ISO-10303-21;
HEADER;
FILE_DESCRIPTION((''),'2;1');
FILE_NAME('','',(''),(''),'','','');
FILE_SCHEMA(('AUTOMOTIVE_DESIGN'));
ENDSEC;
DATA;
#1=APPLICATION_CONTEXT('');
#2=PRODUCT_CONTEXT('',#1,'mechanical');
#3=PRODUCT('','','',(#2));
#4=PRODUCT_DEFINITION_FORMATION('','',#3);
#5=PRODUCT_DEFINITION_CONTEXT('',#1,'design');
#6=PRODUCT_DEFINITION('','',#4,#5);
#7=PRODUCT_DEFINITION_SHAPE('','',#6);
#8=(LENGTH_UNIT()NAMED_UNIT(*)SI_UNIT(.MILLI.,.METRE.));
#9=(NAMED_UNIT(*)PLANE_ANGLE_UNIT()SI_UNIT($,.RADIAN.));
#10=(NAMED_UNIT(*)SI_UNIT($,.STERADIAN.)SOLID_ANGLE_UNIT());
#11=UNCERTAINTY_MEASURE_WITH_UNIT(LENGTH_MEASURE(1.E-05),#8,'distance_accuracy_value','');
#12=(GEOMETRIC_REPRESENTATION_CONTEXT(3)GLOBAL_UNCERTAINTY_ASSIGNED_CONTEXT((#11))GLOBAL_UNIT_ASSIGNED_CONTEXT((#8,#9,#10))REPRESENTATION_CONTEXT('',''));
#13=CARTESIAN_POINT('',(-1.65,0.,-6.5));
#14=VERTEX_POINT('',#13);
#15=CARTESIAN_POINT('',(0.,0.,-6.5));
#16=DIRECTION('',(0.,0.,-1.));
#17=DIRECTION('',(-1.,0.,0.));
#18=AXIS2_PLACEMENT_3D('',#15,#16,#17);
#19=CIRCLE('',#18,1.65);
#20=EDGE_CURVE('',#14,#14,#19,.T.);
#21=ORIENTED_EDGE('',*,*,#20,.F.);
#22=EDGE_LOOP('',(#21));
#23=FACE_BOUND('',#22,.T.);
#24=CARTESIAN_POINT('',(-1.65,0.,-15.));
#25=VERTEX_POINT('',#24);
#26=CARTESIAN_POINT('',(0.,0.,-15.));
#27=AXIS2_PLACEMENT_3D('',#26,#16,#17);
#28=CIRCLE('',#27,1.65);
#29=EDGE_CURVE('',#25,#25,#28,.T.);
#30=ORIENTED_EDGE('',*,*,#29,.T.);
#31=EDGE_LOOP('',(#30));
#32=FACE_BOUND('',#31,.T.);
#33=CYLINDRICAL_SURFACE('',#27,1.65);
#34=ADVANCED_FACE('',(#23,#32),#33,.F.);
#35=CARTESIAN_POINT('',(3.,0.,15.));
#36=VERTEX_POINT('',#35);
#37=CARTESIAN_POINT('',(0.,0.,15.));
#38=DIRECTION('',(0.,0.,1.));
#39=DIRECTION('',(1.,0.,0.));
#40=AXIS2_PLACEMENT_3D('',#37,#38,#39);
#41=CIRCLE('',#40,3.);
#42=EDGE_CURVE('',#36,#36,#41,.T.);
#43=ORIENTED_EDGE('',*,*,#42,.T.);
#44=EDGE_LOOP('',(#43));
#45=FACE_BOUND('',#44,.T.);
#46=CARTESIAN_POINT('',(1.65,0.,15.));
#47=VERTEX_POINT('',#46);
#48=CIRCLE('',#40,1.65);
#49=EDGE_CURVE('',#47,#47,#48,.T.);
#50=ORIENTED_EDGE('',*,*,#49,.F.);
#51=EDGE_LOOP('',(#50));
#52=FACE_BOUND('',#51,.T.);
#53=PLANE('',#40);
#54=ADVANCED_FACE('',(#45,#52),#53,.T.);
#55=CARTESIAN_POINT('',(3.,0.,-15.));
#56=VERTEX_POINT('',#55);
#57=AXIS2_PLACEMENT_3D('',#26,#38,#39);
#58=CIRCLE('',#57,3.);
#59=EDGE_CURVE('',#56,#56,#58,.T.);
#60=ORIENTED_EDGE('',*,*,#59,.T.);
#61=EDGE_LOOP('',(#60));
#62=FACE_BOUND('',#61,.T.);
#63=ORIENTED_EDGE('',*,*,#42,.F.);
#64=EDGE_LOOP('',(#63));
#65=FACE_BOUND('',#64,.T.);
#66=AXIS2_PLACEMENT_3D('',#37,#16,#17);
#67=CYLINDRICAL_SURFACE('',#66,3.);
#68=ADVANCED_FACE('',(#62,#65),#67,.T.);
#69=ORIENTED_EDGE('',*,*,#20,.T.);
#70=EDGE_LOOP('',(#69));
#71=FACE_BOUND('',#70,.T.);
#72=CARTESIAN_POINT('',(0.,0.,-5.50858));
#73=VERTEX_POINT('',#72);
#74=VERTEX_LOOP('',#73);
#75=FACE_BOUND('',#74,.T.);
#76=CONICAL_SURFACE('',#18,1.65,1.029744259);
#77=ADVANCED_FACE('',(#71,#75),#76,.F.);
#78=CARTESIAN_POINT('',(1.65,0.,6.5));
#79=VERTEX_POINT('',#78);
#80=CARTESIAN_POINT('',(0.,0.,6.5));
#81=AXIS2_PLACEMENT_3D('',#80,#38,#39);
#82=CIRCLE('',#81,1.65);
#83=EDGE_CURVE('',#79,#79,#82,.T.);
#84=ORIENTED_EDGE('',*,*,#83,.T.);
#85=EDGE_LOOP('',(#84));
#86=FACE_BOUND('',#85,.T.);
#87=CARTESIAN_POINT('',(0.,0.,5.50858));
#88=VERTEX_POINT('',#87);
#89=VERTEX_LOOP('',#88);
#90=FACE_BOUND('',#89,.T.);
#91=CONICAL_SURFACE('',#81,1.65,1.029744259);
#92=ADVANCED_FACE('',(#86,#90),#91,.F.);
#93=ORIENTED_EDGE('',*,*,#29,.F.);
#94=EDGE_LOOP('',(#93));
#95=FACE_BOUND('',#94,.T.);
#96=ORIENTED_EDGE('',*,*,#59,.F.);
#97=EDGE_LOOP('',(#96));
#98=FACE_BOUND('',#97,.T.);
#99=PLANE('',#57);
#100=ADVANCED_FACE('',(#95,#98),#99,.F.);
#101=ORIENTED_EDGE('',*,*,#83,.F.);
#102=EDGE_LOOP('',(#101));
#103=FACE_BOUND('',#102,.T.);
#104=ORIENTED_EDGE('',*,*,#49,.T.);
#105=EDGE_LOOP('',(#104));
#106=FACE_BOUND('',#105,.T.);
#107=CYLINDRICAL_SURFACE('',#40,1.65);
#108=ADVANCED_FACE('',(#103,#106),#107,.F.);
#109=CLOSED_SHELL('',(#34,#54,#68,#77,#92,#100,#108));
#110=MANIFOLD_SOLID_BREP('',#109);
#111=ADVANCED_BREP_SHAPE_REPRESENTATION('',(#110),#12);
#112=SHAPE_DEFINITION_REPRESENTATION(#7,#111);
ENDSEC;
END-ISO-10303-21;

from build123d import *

# Parameters (mm, degrees)
SKETCH_1_R               = 3
EXTRUDE_1_DEPTH          = 15
M4X0_7_1_D               = 3.3
M4X0_7_1_DEPTH           = 8.5
M4X0_7_1_TIP             = 0.991420021
M4X0_7_1_ON_FACE_2_D     = 3.3
M4X0_7_1_ON_FACE_2_DEPTH = 8.5
M4X0_7_1_ON_FACE_2_TIP   = 0.991420021
M4X0_7_1_ON_FACE_3_D     = 3.3
M4X0_7_1_ON_FACE_3_DEPTH = 8.5
M4X0_7_1_ON_FACE_3_TIP   = 0.991420021


with BuildPart() as part:
    # ｽｹｯﾁ1 → ﾎﾞｽ - 押し出し1 (new body, symmetric)
    with BuildSketch(Plane.XY):
        Circle(SKETCH_1_R)
    extrude(amount=EXTRUDE_1_DEPTH, both=True)

    # M4x0.7 ねじ穴1
    with Locations(Plane.XY.offset(15)):
        with Locations((0, 0)):
            Hole(M4X0_7_1_D / 2, depth=M4X0_7_1_DEPTH)
            with Locations((0, 0, -(M4X0_7_1_DEPTH + M4X0_7_1_TIP / 2))):  # 118° drill point
                Cone(0, M4X0_7_1_D / 2, M4X0_7_1_TIP, mode=Mode.SUBTRACT)

    # M4x0.7 ねじ穴1 on face 2
    with Locations(Plane(origin=(0, 0, -15), x_dir=(-1, 0, 0), z_dir=(0, 0, -1))):
        with Locations((0, 0)):
            Hole(M4X0_7_1_ON_FACE_2_D / 2, depth=M4X0_7_1_ON_FACE_2_DEPTH)
            with Locations((0, 0, -(M4X0_7_1_ON_FACE_2_DEPTH + M4X0_7_1_ON_FACE_2_TIP / 2))):  # 118° drill point
                Cone(0, M4X0_7_1_ON_FACE_2_D / 2, M4X0_7_1_ON_FACE_2_TIP, mode=Mode.SUBTRACT)

    # M4x0.7 ねじ穴1 on face 3
    with Locations(Plane(origin=(8.523250275, 2.088443879, 0), x_dir=(1, 0, 0), z_dir=(0, 0, 1))):
        with Locations((0, 0)):
            Hole(M4X0_7_1_ON_FACE_3_D / 2, depth=M4X0_7_1_ON_FACE_3_DEPTH)
            with Locations((0, 0, -(M4X0_7_1_ON_FACE_3_DEPTH + M4X0_7_1_ON_FACE_3_TIP / 2))):  # 118° drill point
                Cone(0, M4X0_7_1_ON_FACE_3_D / 2, M4X0_7_1_ON_FACE_3_TIP, mode=Mode.SUBTRACT)


solid = part.part
